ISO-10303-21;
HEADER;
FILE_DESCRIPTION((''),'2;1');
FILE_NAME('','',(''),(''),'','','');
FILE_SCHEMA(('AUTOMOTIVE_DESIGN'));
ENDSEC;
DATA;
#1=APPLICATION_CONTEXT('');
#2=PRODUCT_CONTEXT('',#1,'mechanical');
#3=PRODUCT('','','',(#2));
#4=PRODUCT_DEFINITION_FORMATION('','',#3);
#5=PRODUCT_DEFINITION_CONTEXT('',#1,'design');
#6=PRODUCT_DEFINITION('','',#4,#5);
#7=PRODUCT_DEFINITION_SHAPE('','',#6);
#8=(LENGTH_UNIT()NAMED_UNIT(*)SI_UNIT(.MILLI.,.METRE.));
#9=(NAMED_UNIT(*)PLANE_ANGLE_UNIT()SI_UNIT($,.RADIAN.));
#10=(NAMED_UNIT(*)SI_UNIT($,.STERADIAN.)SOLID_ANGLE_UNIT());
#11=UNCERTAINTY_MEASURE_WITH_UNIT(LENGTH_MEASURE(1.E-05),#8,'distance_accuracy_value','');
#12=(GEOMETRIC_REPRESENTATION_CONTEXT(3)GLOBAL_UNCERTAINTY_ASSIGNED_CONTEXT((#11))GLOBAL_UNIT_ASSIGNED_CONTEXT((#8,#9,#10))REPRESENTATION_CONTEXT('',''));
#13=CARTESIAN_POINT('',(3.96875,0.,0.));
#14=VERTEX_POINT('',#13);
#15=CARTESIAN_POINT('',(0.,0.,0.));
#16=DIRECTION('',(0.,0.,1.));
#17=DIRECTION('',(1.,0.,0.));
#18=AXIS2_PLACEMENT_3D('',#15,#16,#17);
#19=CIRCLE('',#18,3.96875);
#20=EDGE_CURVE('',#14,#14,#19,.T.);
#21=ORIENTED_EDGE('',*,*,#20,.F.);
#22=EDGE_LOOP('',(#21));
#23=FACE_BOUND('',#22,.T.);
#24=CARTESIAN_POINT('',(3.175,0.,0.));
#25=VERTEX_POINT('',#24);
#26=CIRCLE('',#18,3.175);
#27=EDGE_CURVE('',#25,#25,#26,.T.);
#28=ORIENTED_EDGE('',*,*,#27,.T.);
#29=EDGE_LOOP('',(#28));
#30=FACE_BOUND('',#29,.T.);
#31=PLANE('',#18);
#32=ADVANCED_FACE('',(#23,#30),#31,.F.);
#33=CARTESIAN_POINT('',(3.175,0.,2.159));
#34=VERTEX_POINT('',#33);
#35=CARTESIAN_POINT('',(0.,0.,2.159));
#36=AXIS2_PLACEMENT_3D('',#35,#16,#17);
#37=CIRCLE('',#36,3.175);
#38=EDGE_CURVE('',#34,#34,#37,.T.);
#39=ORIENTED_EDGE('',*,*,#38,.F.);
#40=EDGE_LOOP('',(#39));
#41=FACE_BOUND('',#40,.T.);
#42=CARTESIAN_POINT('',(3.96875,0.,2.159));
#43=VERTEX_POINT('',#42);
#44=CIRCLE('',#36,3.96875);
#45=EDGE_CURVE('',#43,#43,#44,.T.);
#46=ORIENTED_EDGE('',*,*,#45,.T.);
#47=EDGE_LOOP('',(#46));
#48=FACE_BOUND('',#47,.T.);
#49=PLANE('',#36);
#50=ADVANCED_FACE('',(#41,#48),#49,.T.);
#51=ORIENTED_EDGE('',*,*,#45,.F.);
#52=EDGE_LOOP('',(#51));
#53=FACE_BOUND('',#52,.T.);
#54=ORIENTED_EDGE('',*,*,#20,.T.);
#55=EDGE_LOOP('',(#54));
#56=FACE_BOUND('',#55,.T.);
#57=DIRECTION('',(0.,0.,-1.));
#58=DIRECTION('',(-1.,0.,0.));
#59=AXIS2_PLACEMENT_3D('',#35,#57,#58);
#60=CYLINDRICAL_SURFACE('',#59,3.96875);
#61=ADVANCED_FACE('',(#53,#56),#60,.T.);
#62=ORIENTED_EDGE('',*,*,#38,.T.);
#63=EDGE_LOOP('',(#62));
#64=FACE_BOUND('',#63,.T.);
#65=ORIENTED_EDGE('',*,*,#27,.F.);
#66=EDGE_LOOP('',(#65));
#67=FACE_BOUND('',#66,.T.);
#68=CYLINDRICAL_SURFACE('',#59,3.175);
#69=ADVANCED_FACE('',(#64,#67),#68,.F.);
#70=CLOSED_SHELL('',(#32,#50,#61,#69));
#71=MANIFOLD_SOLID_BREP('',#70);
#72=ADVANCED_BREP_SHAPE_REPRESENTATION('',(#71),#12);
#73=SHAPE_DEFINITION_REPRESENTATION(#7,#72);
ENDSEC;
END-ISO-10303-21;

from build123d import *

# Parameters (mm, degrees)
SKETCH1_R      = 3.96875
SKETCH1_R_2    = 3.175
EXTRUDE1_DEPTH = 2.159


with BuildPart() as part:
    # Sketch1 → Extrude1 (new body)
    with BuildSketch(Plane.XY):
        Circle(SKETCH1_R)
        Circle(SKETCH1_R_2, mode=Mode.SUBTRACT)
    extrude(amount=EXTRUDE1_DEPTH)


solid = part.part
